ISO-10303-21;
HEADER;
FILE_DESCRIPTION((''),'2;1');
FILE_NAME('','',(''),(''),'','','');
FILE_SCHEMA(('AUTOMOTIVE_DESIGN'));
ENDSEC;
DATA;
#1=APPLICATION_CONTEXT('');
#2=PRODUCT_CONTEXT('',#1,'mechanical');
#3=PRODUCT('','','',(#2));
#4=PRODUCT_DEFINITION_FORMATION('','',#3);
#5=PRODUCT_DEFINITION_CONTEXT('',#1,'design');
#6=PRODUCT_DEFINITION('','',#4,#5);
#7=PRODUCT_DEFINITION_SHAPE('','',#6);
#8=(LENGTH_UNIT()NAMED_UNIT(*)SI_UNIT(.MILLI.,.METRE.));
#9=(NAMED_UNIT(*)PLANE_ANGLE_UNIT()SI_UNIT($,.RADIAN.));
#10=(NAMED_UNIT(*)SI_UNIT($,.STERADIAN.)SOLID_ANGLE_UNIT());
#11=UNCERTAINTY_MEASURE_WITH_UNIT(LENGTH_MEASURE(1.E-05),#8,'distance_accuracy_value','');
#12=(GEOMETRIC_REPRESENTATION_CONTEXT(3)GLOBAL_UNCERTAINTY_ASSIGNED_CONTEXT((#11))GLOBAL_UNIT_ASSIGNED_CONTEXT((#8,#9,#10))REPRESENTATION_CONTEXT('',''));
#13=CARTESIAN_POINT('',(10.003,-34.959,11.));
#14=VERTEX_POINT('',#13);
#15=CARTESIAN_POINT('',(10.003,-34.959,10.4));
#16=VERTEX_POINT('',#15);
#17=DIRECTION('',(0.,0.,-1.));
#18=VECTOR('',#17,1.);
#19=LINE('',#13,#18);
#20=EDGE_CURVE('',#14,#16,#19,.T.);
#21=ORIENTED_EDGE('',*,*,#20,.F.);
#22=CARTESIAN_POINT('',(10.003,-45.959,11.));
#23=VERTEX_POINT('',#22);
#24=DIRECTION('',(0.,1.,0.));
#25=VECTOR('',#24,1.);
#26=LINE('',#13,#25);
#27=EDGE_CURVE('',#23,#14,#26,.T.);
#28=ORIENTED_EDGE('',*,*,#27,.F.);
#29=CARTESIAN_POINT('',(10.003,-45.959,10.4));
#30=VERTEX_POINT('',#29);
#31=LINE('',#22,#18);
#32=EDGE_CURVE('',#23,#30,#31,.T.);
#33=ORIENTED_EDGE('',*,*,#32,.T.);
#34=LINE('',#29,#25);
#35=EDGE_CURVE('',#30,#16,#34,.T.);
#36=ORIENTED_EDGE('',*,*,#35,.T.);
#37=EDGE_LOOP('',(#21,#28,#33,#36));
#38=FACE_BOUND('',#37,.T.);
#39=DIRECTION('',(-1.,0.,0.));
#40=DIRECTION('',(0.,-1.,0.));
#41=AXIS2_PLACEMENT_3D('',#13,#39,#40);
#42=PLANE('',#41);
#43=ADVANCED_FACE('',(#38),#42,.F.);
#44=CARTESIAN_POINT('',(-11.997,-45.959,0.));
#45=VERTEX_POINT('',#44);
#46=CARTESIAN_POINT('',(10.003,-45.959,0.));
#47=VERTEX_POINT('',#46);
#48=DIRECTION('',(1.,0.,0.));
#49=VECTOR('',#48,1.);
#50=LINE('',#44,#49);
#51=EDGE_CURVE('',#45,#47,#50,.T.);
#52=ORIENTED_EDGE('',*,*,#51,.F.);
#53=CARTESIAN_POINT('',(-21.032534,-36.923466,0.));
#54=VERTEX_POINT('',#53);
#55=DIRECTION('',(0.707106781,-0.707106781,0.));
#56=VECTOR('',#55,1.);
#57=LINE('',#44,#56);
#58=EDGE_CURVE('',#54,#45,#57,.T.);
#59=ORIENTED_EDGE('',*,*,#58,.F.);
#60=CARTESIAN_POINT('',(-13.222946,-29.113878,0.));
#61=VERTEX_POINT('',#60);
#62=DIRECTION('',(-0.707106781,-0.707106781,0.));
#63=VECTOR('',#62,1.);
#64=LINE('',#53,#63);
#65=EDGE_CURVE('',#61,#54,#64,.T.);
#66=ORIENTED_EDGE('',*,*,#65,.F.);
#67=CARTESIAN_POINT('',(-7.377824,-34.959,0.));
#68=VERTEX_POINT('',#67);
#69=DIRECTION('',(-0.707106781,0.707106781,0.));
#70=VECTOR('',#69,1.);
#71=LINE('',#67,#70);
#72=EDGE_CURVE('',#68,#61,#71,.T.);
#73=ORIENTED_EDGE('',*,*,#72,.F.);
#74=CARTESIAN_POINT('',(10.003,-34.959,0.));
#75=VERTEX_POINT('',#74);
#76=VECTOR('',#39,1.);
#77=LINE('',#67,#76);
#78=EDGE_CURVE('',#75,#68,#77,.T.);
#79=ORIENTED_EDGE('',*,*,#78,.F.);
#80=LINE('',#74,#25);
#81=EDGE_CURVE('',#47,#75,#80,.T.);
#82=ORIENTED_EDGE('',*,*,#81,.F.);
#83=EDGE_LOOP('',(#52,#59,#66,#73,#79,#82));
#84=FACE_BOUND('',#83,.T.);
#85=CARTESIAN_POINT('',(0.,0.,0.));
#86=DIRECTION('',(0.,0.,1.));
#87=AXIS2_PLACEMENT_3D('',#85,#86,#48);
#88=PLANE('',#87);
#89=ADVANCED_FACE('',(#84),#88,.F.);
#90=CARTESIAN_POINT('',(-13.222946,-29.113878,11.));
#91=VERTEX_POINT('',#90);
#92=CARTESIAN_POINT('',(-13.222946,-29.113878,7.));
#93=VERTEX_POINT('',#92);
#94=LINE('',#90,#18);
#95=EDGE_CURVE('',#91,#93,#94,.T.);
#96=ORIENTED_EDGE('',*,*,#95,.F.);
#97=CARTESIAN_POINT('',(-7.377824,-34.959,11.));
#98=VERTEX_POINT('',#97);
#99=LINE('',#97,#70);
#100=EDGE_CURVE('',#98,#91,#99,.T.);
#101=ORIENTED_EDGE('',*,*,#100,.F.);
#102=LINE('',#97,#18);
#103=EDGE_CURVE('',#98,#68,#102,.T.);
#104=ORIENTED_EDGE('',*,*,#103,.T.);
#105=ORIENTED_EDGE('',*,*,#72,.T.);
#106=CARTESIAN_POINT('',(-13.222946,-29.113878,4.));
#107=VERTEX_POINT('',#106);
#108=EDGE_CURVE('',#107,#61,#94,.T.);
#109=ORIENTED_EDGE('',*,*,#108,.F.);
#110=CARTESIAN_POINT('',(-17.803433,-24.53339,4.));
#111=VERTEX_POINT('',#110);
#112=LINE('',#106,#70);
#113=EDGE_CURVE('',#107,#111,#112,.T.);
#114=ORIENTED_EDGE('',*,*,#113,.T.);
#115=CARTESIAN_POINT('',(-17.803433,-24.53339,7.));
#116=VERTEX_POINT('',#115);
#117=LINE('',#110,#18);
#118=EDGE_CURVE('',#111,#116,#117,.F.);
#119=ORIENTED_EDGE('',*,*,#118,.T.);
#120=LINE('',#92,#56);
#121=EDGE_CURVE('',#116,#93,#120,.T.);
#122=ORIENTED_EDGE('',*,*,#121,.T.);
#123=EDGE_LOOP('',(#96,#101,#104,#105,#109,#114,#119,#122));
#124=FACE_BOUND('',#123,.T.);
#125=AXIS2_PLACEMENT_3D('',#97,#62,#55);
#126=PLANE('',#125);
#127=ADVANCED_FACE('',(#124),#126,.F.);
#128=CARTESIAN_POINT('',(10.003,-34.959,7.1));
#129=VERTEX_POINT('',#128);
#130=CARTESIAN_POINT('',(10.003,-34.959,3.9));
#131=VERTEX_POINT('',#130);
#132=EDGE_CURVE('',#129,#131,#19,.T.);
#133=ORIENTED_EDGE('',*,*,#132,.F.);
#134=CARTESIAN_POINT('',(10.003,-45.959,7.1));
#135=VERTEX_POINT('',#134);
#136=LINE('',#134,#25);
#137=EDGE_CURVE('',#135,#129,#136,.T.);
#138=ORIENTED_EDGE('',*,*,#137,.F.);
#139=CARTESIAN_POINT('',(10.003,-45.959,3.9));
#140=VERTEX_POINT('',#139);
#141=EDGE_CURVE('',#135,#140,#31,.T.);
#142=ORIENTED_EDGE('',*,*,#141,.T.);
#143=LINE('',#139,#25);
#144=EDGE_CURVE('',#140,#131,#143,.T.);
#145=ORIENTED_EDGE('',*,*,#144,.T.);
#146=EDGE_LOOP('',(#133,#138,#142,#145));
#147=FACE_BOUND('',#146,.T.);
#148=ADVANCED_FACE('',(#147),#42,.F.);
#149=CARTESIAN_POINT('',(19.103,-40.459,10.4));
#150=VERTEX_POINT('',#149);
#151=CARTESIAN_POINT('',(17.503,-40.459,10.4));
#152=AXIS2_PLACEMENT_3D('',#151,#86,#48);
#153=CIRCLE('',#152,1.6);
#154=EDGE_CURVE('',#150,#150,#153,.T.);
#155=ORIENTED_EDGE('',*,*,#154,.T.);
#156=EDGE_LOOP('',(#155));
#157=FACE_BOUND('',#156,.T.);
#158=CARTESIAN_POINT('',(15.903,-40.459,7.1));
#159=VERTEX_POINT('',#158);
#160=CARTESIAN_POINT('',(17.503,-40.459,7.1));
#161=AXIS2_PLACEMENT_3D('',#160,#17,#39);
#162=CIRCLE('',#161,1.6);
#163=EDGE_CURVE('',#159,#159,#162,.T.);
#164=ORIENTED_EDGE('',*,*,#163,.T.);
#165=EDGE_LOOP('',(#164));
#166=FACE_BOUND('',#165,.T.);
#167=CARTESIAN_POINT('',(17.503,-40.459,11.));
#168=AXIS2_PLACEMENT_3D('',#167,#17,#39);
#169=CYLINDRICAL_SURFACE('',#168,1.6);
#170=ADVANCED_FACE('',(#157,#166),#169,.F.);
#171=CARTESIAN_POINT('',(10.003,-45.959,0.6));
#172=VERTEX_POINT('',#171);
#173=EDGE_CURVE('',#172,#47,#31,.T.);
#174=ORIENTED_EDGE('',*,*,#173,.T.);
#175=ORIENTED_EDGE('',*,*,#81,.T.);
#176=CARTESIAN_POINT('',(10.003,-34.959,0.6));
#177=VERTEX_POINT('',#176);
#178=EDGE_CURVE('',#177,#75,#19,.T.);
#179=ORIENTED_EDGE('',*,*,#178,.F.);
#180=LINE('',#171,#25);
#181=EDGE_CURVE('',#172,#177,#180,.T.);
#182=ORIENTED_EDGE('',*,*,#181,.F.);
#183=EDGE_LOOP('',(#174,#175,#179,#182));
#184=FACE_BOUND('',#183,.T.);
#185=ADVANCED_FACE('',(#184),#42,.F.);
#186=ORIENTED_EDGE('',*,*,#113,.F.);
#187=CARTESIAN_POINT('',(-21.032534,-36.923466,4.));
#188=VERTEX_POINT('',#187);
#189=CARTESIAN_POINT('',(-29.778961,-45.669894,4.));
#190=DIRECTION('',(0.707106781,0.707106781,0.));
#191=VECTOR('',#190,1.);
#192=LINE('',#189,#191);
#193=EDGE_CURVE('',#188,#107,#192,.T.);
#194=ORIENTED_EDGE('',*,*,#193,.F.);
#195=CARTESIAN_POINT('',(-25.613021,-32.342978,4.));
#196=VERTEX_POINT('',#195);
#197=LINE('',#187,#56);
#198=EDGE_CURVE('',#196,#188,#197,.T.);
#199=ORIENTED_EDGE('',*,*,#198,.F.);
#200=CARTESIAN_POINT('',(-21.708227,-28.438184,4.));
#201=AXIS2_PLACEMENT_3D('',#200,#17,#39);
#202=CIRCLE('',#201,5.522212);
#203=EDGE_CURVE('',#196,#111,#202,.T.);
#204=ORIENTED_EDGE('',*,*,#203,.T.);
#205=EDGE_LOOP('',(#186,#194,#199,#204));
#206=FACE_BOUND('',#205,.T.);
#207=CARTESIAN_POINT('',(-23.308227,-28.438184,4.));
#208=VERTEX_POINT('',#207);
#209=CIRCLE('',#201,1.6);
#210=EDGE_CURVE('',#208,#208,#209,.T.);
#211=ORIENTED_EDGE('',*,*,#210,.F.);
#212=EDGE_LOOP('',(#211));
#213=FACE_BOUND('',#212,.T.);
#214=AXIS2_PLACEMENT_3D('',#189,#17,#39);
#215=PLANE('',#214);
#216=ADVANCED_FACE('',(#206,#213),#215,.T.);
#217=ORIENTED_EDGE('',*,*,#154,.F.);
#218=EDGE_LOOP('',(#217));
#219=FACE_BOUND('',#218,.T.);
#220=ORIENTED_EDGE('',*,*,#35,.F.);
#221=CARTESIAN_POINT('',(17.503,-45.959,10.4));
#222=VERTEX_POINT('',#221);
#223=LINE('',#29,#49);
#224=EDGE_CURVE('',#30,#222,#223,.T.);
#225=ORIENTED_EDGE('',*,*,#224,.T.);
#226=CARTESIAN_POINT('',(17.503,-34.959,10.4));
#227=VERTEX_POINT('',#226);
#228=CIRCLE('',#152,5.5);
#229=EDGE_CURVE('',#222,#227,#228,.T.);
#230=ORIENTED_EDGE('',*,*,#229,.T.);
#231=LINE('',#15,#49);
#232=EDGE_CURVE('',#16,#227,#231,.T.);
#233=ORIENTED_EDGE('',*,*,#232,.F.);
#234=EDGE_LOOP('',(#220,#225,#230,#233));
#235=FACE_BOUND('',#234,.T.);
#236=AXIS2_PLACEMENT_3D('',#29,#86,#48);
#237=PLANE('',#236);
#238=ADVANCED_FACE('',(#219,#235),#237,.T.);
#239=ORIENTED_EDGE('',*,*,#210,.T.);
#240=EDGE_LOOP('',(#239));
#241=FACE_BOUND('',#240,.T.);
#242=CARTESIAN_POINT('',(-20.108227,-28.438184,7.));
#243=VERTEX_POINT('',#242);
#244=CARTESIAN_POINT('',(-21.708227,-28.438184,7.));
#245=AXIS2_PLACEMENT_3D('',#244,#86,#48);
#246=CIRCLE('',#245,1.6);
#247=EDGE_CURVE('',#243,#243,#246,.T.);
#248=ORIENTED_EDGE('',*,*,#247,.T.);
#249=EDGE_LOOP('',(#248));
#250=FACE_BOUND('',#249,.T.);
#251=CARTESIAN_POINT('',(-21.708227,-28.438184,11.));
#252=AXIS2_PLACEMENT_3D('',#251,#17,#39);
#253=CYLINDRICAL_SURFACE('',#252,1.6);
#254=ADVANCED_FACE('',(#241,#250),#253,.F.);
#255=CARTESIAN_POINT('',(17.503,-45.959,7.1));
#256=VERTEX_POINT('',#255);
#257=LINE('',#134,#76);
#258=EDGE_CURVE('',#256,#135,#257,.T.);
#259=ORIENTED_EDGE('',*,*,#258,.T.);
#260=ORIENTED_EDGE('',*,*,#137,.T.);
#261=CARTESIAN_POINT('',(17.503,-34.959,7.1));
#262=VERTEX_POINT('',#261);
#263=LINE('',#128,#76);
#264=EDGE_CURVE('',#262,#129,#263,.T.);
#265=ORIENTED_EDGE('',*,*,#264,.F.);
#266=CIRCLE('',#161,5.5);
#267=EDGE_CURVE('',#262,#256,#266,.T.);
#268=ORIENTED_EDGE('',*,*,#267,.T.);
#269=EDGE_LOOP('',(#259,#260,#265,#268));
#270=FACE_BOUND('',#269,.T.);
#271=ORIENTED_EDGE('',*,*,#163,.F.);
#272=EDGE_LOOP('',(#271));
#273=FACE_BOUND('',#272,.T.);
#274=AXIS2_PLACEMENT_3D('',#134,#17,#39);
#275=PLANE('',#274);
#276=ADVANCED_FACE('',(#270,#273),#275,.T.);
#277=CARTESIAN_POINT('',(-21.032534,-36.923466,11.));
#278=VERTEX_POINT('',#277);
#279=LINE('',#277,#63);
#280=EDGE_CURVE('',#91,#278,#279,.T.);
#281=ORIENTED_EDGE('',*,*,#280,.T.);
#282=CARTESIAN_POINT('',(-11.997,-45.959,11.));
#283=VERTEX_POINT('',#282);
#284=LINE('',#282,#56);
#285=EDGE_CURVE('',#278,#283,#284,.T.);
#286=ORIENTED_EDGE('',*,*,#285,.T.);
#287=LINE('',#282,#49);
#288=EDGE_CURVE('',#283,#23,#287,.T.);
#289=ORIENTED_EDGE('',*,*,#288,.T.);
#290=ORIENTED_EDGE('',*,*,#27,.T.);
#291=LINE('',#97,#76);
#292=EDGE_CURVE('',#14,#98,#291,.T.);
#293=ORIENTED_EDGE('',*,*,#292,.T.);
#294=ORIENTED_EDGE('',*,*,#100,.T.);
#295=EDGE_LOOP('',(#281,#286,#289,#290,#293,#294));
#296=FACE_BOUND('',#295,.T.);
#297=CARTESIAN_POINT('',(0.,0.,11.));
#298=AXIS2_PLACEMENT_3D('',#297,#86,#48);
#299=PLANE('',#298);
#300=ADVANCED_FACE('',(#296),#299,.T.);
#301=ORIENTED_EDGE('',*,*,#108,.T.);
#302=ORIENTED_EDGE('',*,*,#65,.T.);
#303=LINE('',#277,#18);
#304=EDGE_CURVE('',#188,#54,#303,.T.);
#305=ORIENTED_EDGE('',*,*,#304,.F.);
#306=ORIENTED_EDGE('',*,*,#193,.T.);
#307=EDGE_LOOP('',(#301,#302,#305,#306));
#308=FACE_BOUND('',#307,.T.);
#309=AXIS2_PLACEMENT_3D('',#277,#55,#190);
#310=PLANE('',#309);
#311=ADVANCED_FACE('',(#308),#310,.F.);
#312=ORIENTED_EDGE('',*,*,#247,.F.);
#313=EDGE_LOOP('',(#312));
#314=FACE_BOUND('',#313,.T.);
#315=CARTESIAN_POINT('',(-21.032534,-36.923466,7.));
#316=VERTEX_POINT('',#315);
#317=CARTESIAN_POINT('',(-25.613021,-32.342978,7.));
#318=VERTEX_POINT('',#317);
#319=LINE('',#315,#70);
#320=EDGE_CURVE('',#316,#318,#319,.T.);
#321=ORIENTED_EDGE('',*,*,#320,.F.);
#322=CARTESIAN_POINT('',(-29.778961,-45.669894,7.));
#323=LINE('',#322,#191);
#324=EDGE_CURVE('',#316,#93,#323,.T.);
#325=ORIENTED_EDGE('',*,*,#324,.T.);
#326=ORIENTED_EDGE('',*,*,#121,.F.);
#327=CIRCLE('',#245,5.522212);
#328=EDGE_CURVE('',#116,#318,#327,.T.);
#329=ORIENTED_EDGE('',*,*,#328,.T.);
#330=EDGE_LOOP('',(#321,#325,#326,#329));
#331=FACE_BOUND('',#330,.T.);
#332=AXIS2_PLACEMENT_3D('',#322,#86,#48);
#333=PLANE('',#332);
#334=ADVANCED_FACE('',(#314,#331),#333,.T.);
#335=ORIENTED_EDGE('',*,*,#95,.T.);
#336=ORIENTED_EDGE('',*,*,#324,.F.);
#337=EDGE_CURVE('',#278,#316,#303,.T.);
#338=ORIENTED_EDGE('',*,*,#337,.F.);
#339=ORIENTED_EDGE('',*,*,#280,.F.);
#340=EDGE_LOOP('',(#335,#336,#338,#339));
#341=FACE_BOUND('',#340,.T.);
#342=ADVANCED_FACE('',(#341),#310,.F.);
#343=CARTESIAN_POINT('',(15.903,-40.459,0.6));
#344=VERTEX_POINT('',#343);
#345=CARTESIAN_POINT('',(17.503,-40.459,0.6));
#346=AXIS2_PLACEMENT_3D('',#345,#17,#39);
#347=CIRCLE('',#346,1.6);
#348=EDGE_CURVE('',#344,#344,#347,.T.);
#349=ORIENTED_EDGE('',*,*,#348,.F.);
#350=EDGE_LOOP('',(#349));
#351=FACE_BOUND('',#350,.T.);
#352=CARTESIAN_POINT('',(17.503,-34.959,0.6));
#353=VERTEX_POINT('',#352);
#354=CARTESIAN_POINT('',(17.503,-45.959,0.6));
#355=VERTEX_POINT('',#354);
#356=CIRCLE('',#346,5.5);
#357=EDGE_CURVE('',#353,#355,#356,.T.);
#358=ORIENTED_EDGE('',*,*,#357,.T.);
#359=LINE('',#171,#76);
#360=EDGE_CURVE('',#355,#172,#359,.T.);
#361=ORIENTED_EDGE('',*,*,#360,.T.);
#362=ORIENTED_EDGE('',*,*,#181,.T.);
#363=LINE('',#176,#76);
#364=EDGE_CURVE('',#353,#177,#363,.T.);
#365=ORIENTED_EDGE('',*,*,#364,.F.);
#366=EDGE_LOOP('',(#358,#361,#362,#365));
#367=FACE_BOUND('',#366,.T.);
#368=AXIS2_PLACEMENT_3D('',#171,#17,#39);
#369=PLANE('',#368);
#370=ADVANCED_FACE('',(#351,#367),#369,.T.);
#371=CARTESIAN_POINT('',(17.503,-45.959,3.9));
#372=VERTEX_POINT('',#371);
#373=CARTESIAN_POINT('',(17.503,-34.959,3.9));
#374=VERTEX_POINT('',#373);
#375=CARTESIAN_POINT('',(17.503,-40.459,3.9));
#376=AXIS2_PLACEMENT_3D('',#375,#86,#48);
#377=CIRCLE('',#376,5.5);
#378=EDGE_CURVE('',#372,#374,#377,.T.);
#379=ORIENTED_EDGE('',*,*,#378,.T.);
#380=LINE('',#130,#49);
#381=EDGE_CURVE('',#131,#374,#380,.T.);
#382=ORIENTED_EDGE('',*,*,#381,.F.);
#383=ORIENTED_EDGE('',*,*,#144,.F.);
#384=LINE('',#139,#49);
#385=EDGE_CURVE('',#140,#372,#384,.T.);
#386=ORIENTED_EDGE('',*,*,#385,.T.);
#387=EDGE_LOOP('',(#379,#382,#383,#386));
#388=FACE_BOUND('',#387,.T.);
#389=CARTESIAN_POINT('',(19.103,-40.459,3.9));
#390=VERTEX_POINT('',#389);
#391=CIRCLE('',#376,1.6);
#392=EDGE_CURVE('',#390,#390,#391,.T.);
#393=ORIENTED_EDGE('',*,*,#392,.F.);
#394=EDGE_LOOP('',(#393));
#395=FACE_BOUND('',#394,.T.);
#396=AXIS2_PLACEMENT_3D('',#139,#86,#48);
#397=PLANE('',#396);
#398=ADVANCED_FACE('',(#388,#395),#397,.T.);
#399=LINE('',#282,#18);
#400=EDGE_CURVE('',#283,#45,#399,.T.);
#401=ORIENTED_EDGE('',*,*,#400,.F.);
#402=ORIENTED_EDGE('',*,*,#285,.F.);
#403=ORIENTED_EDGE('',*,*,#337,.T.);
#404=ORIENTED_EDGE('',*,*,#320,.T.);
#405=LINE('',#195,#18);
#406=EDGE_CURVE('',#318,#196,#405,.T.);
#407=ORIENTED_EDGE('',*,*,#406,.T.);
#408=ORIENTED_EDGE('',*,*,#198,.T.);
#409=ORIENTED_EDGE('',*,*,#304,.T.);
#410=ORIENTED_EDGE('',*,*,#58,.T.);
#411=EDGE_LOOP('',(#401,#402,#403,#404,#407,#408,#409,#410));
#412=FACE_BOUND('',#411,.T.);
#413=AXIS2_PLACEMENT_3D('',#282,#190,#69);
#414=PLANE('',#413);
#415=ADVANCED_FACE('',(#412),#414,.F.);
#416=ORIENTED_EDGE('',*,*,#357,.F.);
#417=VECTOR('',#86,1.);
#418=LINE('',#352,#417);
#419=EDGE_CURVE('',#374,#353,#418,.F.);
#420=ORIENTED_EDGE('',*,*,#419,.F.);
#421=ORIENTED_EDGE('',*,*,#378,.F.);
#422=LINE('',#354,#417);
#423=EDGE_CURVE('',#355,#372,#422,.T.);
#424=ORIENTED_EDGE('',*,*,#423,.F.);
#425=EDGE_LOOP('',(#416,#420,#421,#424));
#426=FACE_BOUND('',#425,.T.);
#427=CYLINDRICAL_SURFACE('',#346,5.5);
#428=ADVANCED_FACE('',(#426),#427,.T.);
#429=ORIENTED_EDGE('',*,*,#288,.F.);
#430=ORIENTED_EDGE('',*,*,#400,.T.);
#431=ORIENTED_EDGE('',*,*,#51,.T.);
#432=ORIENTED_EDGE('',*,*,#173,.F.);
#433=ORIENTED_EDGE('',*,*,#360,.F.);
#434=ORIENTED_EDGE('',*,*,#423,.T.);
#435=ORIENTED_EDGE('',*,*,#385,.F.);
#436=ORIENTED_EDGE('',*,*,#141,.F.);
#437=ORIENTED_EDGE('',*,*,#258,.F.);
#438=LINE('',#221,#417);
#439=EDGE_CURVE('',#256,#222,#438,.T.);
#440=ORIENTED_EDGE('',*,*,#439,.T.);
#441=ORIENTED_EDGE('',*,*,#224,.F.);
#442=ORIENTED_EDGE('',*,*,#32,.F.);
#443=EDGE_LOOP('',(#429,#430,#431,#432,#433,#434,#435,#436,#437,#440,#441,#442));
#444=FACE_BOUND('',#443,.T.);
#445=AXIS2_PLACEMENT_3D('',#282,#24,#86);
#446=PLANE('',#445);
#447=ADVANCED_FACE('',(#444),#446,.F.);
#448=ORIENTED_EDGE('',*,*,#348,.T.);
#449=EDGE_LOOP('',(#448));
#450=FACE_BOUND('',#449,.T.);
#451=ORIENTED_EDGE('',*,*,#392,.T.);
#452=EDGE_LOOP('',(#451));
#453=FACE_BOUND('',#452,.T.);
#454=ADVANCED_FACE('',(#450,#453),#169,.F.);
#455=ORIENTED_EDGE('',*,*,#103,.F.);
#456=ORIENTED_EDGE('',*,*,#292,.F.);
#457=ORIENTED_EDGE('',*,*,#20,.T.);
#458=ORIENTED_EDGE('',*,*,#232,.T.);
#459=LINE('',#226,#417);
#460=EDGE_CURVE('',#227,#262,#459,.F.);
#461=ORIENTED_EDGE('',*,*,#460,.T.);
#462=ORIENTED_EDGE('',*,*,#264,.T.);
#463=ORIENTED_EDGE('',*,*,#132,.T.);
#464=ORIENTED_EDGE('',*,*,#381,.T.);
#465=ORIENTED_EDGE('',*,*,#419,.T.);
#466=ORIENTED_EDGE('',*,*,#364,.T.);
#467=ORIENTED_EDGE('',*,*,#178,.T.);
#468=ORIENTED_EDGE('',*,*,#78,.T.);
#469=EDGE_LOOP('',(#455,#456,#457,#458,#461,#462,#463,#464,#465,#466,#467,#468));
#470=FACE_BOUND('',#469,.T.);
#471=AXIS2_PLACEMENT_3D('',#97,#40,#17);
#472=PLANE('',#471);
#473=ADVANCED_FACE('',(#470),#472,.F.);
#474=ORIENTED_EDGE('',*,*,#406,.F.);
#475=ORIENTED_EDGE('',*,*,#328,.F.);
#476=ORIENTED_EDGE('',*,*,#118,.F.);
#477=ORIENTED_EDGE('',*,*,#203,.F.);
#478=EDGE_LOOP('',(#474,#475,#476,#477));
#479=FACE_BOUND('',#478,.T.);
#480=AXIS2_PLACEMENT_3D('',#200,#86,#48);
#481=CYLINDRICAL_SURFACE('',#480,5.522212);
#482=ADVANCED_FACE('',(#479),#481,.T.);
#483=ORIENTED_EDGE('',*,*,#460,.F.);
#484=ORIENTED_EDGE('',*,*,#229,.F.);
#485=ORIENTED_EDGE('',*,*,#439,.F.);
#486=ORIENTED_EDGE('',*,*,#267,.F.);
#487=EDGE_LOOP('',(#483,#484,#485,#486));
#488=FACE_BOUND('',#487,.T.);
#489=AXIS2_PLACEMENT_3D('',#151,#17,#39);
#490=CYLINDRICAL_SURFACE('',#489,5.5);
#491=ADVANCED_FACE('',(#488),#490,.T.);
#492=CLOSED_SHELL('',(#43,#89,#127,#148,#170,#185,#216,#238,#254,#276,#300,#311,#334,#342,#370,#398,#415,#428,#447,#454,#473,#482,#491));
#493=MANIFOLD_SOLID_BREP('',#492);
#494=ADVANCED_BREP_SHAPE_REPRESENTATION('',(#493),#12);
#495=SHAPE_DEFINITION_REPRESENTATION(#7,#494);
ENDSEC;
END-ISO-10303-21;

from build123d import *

# Parameters (mm, degrees)
SALIENTE_EXTRUIR1_DEPTH = 11
CROQUIS13_W             = 3
CROQUIS13_H             = 12
SALIENTE_EXTRUIR3_DEPTH = 11.044424957
CROQUIS15_W             = 13
CROQUIS15_H             = 3.3
SALIENTE_EXTRUIR5_DEPTH = 11
REDONDEO1_RADIUS        = 5.522212479
REDONDEO1_LENGTH        = 3
REDONDEO2_RADIUS        = 5.5
REDONDEO2_LENGTH        = 3.3
REDONDEO3_RADIUS        = 5.5
REDONDEO3_LENGTH        = 3.3
CROQUIS16_R             = 1.6
CORTAR_EXTRUIR6_DEPTH   = 54.876956991
CROQUIS17_R             = 1.6
CORTAR_EXTRUIR7_DEPTH   = 55.423216504


with BuildPart() as part:
    # Croquis2 → Saliente-Extruir1 (new body)
    with BuildSketch(Plane.XY):
        Polygon((-7.377824178, -34.958999634), (10.003000259, -34.958999634), (10.003000259, -45.958999634), (-11.996999741, -45.958999634), (-21.032533647, -36.923465728), (-13.222945865, -29.113877947), align=None)
    extrude(amount=SALIENTE_EXTRUIR1_DEPTH)

    # Croquis13 → Saliente-Extruir3 (add)
    with BuildSketch(Plane(origin=(-21.168411906, -21.168411906, 0), x_dir=(0, 0, -1), z_dir=(0.7071067811865442, 0.7071067811865508, 0))):
        with Locations((-5.5, -5.236585834)):
            Rectangle(CROQUIS13_W, CROQUIS13_H)
    extrude(amount=-SALIENTE_EXTRUIR3_DEPTH)

    # Croquis15 → Saliente-Extruir5 (add, through all)
    with BuildSketch(Plane(origin=(0, -34.958999634, 0), x_dir=(1, 0, 0), z_dir=(0, 1, 0))):
        with Locations((16.503000259, -2.25)):
            Rectangle(CROQUIS15_W, CROQUIS15_H)
        with Locations((16.503000259, -8.75)):
            Rectangle(CROQUIS15_W, CROQUIS15_H)
    extrude(amount=-SALIENTE_EXTRUIR5_DEPTH)

    # Redondeo1: full round fillet: the end face becomes a half cylinder, R = half its width
    redondeo1_face = Plane((-25.61302113, -24.533390463, 5.5), x_dir=(0, 0, -1), z_dir=(-0.707106781187, 0.707106781187, 0))  # on the end face: x along it, z out of the body
    redondeo1_slab = redondeo1_face.offset(-REDONDEO1_RADIUS / 2) * Box(REDONDEO1_LENGTH, 2 * REDONDEO1_RADIUS, REDONDEO1_RADIUS, mode=Mode.PRIVATE)  # the body's end, R deep
    redondeo1_round = Plane((-21.708227239, -28.438184354, 5.5), x_dir=(-0.707106781187, 0.707106781187, 0), z_dir=(0, 0, -1)) * Cylinder(REDONDEO1_RADIUS, REDONDEO1_LENGTH, mode=Mode.PRIVATE)  # its axis R under the face
    add(redondeo1_slab - redondeo1_round, mode=Mode.SUBTRACT)

    # Redondeo2: full round fillet: the end face becomes a half cylinder, R = half its width
    redondeo2_face = Plane((23.003000259, -40.458999634, 8.75), x_dir=(0, 0, -1), z_dir=(1, 0, 0))  # on the end face: x along it, z out of the body
    redondeo2_slab = redondeo2_face.offset(-REDONDEO2_RADIUS / 2) * Box(REDONDEO2_LENGTH, 2 * REDONDEO2_RADIUS, REDONDEO2_RADIUS, mode=Mode.PRIVATE)  # the body's end, R deep
    redondeo2_round = Plane((17.503000259, -40.458999634, 8.75), x_dir=(1, 0, 0), z_dir=(0, 0, -1)) * Cylinder(REDONDEO2_RADIUS, REDONDEO2_LENGTH, mode=Mode.PRIVATE)  # its axis R under the face
    add(redondeo2_slab - redondeo2_round, mode=Mode.SUBTRACT)

    # Redondeo3: full round fillet: the end face becomes a half cylinder, R = half its width
    redondeo3_face = Plane((23.003000259, -40.458999634, 2.25), x_dir=(0, 0, -1), z_dir=(1, 0, 0))  # on the end face: x along it, z out of the body
    redondeo3_slab = redondeo3_face.offset(-REDONDEO3_RADIUS / 2) * Box(REDONDEO3_LENGTH, 2 * REDONDEO3_RADIUS, REDONDEO3_RADIUS, mode=Mode.PRIVATE)  # the body's end, R deep
    redondeo3_round = Plane((17.503000259, -40.458999634, 2.25), x_dir=(1, 0, 0), z_dir=(0, 0, -1)) * Cylinder(REDONDEO3_RADIUS, REDONDEO3_LENGTH, mode=Mode.PRIVATE)  # its axis R under the face
    add(redondeo3_slab - redondeo3_round, mode=Mode.SUBTRACT)

    # Croquis16 → Cortar-Extruir6 (cut, through all)
    with BuildSketch(Plane(origin=(0, 0, 4), x_dir=(-1, 0, 0), z_dir=(0, 0, -1))):
        with Locations((21.70822724, -28.438184354)):
            Circle(CROQUIS16_R)
    extrude(amount=-CORTAR_EXTRUIR6_DEPTH, mode=Mode.SUBTRACT)

    # Croquis17 → Cortar-Extruir7 (cut, through all)
    with BuildSketch(Plane(origin=(0, 0, 0.6), x_dir=(-1, 0, 0), z_dir=(0, 0, -1))):
        with Locations((-17.503000259, -40.458999634)):
            Circle(CROQUIS17_R)
    extrude(amount=-CORTAR_EXTRUIR7_DEPTH, mode=Mode.SUBTRACT)


solid = part.part
